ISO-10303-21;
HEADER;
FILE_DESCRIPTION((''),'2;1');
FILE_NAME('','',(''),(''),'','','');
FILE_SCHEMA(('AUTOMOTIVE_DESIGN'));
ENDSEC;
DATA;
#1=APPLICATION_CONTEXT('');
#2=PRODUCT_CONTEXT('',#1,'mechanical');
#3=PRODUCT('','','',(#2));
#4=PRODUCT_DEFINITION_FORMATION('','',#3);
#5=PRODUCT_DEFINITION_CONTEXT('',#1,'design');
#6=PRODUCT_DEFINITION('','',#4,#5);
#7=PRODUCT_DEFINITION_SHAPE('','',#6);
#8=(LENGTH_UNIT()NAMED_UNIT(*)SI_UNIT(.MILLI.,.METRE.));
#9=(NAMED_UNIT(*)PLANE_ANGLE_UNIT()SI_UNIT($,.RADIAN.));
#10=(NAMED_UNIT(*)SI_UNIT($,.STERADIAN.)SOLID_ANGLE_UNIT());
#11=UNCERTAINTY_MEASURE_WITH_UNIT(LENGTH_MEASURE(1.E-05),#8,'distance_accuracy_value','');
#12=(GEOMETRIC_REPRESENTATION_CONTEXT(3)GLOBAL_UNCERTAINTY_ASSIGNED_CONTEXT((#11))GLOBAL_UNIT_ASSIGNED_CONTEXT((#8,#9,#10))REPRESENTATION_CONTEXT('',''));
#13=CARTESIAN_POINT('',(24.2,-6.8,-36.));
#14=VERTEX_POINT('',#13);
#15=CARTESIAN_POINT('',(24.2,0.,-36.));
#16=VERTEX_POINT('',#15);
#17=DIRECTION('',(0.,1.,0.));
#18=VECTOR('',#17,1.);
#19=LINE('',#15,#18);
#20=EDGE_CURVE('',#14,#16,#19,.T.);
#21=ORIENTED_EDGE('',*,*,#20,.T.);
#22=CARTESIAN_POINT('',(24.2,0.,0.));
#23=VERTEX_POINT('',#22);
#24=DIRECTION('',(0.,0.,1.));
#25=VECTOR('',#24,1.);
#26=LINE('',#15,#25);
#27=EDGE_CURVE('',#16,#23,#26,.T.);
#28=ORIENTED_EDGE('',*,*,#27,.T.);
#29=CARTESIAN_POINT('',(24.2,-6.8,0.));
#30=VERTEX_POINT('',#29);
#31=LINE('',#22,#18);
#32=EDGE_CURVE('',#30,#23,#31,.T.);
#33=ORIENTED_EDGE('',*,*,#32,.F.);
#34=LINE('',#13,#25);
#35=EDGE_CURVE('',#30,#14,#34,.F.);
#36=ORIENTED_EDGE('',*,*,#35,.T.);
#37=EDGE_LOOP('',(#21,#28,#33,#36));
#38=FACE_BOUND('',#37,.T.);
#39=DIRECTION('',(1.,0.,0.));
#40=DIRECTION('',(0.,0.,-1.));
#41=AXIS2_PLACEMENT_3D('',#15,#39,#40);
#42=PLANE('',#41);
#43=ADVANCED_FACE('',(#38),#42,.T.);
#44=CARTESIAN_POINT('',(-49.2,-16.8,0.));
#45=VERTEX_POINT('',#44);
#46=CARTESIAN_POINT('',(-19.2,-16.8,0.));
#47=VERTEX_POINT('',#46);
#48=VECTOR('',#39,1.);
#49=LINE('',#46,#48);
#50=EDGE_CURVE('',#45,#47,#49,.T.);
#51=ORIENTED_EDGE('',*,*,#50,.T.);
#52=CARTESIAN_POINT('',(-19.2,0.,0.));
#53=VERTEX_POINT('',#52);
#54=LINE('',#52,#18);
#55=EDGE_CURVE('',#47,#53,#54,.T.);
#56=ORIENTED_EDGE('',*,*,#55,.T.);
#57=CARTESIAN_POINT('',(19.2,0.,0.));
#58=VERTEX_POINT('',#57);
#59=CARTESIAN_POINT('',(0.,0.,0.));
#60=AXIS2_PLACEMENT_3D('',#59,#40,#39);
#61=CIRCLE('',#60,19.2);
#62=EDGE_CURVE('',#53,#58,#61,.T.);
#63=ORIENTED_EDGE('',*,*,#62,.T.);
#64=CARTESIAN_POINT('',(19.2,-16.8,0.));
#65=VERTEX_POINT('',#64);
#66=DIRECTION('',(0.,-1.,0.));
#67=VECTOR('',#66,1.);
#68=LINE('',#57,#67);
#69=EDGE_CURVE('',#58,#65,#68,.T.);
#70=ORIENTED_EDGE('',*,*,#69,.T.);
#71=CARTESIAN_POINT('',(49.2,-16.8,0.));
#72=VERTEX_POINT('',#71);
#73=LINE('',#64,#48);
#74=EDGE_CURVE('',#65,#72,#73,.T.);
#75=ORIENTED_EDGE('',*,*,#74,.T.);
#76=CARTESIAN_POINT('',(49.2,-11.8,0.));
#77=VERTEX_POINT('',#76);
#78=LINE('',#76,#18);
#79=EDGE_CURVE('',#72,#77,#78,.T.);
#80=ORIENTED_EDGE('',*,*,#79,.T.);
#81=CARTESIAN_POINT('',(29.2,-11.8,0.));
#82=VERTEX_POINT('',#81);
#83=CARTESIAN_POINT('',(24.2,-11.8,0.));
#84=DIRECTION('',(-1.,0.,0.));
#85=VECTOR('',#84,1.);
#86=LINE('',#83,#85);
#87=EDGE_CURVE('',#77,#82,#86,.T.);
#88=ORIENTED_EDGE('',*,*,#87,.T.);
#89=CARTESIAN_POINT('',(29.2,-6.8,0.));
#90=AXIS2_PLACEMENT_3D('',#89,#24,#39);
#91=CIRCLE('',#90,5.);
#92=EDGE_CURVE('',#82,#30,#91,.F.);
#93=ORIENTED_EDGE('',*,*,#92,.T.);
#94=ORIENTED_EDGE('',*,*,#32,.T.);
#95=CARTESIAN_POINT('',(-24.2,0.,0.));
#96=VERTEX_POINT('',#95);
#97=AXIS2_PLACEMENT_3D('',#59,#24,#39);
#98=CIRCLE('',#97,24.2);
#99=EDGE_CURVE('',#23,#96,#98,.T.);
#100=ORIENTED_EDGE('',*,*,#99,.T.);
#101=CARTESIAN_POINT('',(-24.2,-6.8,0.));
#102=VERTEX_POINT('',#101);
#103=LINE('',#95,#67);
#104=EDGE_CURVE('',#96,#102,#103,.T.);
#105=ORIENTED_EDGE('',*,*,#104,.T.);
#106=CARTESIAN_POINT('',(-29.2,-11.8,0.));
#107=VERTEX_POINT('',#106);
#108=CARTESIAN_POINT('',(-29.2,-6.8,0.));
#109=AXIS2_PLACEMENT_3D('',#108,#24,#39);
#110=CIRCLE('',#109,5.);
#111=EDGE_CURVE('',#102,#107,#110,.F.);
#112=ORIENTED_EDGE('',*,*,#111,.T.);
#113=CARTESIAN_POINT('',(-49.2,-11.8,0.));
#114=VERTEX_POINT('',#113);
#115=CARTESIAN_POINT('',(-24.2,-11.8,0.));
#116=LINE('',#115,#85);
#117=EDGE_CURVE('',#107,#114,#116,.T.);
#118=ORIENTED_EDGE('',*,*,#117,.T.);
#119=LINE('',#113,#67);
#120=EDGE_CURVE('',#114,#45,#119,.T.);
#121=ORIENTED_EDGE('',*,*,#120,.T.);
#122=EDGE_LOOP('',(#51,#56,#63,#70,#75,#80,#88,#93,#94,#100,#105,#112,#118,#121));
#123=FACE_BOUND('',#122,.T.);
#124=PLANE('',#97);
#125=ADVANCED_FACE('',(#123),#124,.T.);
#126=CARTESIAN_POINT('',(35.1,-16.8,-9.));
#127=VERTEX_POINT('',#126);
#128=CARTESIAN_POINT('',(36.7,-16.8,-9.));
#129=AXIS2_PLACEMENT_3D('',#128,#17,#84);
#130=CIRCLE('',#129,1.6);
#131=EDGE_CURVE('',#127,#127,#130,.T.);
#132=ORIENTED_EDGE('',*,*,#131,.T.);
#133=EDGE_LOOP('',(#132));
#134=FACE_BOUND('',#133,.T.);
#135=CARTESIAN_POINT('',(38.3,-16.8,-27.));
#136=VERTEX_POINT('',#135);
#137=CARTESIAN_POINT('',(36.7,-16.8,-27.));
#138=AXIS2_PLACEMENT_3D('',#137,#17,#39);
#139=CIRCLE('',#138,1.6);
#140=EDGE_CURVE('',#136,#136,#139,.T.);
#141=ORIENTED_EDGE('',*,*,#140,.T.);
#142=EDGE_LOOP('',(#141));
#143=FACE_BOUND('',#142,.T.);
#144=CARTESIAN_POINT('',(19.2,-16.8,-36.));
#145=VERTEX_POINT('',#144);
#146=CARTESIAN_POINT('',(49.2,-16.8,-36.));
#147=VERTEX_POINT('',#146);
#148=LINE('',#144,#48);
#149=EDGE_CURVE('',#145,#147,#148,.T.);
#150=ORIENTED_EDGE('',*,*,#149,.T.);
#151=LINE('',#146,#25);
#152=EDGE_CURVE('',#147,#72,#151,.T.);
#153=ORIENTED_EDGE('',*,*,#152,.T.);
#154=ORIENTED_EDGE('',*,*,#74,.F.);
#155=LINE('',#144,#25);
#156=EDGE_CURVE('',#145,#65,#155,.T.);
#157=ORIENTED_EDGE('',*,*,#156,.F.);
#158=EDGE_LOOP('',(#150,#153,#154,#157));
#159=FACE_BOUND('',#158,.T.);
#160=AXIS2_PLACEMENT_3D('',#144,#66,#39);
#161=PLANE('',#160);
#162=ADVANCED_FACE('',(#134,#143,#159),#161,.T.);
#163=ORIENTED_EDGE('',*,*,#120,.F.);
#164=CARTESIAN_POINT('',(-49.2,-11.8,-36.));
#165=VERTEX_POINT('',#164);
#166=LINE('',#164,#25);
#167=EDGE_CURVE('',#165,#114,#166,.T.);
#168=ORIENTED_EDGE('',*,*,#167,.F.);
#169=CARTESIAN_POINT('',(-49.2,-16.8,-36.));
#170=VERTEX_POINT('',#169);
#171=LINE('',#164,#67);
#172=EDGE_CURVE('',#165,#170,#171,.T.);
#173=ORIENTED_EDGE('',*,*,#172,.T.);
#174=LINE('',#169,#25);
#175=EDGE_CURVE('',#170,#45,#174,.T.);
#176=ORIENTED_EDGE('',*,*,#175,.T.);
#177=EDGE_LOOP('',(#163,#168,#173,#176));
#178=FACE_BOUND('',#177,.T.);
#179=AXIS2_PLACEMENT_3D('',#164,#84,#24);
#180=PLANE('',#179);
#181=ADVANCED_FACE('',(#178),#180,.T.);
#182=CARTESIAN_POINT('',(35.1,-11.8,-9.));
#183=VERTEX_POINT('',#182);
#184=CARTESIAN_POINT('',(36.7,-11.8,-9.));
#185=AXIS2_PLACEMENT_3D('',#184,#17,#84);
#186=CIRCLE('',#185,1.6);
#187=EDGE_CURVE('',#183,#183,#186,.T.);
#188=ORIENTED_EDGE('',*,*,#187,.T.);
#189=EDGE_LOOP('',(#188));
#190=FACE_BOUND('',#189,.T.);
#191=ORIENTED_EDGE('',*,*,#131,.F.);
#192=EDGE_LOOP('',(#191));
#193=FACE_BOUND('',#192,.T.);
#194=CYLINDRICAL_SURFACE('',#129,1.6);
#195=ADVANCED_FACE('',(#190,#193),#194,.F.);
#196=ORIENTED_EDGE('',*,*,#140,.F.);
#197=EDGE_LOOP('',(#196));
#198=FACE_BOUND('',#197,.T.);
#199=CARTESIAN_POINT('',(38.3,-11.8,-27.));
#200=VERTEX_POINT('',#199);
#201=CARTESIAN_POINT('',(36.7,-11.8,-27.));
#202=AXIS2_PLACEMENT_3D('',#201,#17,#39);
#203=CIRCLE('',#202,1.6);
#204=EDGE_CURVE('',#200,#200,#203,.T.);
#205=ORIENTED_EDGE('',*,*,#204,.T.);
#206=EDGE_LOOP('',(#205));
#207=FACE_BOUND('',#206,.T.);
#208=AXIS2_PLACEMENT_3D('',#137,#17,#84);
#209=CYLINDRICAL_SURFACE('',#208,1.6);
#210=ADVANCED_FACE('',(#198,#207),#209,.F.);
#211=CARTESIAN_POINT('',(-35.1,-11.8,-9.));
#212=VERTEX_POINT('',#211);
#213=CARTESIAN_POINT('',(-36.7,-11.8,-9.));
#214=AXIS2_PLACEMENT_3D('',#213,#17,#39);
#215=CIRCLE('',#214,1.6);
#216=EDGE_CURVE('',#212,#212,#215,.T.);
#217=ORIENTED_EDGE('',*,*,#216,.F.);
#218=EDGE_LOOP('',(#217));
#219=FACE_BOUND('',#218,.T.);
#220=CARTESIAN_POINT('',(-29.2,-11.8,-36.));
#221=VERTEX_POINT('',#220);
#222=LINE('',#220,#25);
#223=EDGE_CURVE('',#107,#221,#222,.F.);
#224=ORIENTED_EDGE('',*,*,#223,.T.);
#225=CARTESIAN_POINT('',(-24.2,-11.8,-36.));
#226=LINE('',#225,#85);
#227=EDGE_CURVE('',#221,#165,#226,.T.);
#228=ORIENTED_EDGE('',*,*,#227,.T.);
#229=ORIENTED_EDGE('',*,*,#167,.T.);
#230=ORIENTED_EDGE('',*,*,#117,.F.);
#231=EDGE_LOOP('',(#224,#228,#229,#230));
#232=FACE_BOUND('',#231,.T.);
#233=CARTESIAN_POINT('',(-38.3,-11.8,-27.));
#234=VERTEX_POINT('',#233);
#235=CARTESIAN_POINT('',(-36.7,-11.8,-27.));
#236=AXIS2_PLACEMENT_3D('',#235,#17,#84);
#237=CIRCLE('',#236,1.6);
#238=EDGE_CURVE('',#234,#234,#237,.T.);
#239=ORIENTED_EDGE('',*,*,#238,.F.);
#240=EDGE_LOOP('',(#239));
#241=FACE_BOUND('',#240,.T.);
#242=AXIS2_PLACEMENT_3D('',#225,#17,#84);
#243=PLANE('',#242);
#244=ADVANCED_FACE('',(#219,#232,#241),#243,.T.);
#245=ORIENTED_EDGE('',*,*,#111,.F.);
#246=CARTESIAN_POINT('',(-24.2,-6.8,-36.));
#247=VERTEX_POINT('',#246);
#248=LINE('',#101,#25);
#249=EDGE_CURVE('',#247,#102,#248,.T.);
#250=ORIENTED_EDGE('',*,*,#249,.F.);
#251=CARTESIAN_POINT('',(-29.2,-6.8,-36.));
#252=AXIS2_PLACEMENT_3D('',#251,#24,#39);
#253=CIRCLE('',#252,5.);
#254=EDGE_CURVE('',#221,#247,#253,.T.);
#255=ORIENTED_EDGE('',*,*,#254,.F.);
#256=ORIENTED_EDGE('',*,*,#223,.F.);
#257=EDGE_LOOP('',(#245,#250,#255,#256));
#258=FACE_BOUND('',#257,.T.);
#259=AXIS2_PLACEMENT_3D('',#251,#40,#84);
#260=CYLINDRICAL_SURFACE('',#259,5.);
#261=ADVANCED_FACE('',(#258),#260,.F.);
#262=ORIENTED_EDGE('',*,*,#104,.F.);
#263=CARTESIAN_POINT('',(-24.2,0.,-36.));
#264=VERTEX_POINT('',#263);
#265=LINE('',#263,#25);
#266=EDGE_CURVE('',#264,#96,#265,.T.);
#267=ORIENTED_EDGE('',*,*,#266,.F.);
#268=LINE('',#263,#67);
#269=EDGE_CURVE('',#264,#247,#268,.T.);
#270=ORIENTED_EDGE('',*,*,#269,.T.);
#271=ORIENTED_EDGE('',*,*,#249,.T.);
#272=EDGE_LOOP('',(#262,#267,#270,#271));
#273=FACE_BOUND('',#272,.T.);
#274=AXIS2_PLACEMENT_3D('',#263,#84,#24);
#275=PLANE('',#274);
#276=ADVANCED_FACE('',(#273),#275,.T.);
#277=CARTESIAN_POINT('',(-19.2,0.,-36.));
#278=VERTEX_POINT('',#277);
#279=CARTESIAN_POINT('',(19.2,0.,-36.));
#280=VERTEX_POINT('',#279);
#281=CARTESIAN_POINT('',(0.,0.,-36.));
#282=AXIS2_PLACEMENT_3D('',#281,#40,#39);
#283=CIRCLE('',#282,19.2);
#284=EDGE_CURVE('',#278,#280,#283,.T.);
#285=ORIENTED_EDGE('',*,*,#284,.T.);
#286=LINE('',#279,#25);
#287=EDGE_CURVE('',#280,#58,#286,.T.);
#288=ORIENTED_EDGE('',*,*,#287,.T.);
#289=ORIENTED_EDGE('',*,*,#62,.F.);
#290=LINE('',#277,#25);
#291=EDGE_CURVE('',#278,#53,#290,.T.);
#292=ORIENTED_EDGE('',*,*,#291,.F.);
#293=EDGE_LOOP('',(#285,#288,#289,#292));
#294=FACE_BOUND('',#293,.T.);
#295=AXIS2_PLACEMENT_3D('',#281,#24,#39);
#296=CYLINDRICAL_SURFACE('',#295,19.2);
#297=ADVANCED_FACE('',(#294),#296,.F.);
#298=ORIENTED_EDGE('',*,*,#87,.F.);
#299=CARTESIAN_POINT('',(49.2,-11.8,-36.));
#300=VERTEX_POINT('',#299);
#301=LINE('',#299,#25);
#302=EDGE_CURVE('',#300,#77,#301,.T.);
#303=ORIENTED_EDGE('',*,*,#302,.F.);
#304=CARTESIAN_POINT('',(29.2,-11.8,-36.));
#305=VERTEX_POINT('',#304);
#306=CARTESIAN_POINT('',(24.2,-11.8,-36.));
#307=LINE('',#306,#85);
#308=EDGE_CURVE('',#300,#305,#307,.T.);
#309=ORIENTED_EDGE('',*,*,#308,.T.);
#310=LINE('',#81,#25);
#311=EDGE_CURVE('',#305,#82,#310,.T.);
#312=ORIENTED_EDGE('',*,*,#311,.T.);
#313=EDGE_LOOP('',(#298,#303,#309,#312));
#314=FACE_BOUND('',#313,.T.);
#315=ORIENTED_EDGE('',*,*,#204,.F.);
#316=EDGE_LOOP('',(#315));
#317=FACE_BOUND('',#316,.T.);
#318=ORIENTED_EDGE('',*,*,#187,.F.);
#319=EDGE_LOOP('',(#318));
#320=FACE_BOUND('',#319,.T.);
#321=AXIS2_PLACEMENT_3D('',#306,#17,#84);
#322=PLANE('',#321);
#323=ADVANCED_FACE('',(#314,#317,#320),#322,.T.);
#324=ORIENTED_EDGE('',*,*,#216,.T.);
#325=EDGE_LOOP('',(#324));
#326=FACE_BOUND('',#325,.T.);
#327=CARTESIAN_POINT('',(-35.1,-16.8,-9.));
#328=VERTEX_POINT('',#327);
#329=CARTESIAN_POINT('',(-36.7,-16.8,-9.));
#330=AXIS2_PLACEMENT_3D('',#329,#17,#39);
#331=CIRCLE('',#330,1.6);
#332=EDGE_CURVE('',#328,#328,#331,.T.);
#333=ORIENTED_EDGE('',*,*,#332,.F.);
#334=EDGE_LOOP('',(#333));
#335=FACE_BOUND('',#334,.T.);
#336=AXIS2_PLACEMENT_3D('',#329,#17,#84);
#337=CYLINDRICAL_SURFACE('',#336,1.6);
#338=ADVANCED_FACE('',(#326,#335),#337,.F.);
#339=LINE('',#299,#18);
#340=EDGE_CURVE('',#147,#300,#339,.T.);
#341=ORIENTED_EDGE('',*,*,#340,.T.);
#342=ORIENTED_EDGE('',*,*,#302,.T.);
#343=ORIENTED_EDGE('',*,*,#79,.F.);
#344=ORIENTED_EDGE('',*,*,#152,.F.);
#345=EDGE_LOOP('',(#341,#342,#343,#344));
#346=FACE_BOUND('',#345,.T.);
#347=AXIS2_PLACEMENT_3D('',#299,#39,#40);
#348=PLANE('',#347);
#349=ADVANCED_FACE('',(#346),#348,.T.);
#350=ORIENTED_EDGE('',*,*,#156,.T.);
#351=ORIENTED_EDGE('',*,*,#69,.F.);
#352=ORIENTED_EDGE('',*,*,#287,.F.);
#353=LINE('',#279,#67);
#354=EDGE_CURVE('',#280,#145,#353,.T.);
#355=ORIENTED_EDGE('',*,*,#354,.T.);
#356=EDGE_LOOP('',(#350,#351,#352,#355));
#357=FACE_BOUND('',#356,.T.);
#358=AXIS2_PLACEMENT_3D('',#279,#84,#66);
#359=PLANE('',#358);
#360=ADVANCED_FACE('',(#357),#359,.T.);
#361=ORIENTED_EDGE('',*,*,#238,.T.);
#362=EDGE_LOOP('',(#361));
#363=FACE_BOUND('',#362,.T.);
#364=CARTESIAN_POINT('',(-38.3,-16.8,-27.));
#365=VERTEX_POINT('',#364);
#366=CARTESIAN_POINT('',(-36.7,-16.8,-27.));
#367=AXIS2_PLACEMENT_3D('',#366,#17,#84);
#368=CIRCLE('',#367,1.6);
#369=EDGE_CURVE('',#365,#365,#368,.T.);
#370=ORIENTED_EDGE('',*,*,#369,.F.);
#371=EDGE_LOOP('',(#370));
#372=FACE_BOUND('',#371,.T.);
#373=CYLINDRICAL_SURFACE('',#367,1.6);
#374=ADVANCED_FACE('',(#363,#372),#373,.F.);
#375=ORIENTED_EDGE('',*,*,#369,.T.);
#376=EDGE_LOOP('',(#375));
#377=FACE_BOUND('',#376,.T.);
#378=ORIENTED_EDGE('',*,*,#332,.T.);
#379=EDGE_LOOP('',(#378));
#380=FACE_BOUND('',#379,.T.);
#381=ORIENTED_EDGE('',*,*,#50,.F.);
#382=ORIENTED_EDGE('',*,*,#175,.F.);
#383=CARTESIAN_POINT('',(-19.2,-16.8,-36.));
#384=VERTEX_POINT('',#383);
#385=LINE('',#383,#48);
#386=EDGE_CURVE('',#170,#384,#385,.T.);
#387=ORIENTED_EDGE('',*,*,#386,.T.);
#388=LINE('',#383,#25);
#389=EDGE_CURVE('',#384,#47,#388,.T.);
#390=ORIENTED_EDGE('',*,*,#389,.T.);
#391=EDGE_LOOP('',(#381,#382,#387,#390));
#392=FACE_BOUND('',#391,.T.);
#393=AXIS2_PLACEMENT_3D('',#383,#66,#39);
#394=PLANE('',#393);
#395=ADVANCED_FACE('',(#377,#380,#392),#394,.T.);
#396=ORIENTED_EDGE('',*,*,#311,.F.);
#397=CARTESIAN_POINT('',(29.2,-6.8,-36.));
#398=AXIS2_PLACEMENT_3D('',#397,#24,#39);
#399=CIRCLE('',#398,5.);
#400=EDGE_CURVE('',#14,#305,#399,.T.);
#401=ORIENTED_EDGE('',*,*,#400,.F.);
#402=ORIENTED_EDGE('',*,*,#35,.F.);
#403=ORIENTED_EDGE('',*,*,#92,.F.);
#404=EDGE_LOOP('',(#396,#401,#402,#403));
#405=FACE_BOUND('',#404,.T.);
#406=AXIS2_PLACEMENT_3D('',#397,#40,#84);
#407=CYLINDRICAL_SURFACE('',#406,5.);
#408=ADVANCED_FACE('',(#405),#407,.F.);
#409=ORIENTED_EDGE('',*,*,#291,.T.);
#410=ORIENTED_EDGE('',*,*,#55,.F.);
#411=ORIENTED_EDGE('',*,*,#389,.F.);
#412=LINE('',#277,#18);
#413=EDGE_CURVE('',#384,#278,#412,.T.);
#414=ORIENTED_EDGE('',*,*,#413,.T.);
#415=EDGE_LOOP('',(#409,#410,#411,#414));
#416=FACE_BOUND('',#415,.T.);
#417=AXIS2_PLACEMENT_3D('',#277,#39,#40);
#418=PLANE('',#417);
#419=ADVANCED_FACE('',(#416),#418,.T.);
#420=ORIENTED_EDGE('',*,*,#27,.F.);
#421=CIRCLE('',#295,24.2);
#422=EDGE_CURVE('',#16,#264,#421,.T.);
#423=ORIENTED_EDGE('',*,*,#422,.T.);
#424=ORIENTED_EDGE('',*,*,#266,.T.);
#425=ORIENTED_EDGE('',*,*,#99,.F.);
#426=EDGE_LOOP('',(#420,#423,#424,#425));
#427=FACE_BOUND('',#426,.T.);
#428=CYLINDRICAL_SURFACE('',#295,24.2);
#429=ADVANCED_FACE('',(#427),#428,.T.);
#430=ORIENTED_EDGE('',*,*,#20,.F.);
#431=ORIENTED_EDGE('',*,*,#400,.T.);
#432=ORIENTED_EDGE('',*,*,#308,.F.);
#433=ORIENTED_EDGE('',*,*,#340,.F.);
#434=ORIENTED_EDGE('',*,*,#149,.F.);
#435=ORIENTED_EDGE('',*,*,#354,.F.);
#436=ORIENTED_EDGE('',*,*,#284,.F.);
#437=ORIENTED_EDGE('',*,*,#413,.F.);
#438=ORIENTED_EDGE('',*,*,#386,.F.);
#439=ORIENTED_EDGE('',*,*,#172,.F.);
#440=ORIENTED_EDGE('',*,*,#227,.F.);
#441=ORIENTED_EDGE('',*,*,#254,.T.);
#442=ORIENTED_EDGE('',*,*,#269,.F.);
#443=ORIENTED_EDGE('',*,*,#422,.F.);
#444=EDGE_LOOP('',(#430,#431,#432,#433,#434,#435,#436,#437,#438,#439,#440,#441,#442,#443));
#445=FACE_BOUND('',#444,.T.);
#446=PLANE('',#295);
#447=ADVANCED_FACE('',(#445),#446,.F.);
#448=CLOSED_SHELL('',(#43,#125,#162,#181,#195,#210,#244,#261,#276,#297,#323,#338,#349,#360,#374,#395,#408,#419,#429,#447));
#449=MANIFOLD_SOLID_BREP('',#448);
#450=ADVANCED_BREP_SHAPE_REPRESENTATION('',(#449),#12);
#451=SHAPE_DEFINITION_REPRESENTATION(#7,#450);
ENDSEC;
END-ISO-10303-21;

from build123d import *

# Parameters (mm, degrees)
BOSS_EXTRUDE1_DEPTH = 36
SKETCH2_R           = 1.6
CUT_EXTRUDE1_DEPTH  = 5
FILLET1_R           = 5


with BuildPart() as part:
    # Sketch1 → Boss-Extrude1 (new body)
    with BuildSketch(Plane.XY):
        with BuildLine():
            Line((-19.2, 0), (-19.2, -16.8))
            Line((-19.2, -16.8), (-49.2, -16.8))
            Line((-49.2, -16.8), (-49.2, -11.8))
            Line((-49.2, -11.8), (-24.2, -11.8))
            Line((-24.2, -11.8), (-24.2, 0))
            ThreePointArc((-24.2, 0), (0, 24.2), (24.2, 0))
            Line((24.2, 0), (24.2, -11.8))
            Line((24.2, -11.8), (49.2, -11.8))
            Line((49.2, -11.8), (49.2, -16.8))
            Line((49.2, -16.8), (19.2, -16.8))
            Line((19.2, -16.8), (19.2, 0))
            ThreePointArc((19.2, 0), (0, 19.2), (-19.2, 0))
        make_face()
    extrude(amount=-BOSS_EXTRUDE1_DEPTH)

    # Sketch2 → Cut-Extrude1 (cut)
    with BuildSketch(Plane(origin=(0, -11.8, 0), x_dir=(1, 0, 0), z_dir=(0, 1, 0))):
        with Locations((-36.7, 27)):
            Circle(SKETCH2_R)
        with Locations((-36.7, 9)):
            Circle(SKETCH2_R)
        with Locations((36.7, 27)):
            Circle(SKETCH2_R)
        with Locations((36.7, 9)):
            Circle(SKETCH2_R)
    extrude(amount=-CUT_EXTRUDE1_DEPTH, mode=Mode.SUBTRACT)

    # Fillet1
    fillet1_edges = [part.edges().sort_by_distance(p)[0] for p in [
        (24.2, -11.8, -18),
        (-24.2, -11.8, -18),
    ]]
    fillet(fillet1_edges, radius=FILLET1_R)


solid = part.part
